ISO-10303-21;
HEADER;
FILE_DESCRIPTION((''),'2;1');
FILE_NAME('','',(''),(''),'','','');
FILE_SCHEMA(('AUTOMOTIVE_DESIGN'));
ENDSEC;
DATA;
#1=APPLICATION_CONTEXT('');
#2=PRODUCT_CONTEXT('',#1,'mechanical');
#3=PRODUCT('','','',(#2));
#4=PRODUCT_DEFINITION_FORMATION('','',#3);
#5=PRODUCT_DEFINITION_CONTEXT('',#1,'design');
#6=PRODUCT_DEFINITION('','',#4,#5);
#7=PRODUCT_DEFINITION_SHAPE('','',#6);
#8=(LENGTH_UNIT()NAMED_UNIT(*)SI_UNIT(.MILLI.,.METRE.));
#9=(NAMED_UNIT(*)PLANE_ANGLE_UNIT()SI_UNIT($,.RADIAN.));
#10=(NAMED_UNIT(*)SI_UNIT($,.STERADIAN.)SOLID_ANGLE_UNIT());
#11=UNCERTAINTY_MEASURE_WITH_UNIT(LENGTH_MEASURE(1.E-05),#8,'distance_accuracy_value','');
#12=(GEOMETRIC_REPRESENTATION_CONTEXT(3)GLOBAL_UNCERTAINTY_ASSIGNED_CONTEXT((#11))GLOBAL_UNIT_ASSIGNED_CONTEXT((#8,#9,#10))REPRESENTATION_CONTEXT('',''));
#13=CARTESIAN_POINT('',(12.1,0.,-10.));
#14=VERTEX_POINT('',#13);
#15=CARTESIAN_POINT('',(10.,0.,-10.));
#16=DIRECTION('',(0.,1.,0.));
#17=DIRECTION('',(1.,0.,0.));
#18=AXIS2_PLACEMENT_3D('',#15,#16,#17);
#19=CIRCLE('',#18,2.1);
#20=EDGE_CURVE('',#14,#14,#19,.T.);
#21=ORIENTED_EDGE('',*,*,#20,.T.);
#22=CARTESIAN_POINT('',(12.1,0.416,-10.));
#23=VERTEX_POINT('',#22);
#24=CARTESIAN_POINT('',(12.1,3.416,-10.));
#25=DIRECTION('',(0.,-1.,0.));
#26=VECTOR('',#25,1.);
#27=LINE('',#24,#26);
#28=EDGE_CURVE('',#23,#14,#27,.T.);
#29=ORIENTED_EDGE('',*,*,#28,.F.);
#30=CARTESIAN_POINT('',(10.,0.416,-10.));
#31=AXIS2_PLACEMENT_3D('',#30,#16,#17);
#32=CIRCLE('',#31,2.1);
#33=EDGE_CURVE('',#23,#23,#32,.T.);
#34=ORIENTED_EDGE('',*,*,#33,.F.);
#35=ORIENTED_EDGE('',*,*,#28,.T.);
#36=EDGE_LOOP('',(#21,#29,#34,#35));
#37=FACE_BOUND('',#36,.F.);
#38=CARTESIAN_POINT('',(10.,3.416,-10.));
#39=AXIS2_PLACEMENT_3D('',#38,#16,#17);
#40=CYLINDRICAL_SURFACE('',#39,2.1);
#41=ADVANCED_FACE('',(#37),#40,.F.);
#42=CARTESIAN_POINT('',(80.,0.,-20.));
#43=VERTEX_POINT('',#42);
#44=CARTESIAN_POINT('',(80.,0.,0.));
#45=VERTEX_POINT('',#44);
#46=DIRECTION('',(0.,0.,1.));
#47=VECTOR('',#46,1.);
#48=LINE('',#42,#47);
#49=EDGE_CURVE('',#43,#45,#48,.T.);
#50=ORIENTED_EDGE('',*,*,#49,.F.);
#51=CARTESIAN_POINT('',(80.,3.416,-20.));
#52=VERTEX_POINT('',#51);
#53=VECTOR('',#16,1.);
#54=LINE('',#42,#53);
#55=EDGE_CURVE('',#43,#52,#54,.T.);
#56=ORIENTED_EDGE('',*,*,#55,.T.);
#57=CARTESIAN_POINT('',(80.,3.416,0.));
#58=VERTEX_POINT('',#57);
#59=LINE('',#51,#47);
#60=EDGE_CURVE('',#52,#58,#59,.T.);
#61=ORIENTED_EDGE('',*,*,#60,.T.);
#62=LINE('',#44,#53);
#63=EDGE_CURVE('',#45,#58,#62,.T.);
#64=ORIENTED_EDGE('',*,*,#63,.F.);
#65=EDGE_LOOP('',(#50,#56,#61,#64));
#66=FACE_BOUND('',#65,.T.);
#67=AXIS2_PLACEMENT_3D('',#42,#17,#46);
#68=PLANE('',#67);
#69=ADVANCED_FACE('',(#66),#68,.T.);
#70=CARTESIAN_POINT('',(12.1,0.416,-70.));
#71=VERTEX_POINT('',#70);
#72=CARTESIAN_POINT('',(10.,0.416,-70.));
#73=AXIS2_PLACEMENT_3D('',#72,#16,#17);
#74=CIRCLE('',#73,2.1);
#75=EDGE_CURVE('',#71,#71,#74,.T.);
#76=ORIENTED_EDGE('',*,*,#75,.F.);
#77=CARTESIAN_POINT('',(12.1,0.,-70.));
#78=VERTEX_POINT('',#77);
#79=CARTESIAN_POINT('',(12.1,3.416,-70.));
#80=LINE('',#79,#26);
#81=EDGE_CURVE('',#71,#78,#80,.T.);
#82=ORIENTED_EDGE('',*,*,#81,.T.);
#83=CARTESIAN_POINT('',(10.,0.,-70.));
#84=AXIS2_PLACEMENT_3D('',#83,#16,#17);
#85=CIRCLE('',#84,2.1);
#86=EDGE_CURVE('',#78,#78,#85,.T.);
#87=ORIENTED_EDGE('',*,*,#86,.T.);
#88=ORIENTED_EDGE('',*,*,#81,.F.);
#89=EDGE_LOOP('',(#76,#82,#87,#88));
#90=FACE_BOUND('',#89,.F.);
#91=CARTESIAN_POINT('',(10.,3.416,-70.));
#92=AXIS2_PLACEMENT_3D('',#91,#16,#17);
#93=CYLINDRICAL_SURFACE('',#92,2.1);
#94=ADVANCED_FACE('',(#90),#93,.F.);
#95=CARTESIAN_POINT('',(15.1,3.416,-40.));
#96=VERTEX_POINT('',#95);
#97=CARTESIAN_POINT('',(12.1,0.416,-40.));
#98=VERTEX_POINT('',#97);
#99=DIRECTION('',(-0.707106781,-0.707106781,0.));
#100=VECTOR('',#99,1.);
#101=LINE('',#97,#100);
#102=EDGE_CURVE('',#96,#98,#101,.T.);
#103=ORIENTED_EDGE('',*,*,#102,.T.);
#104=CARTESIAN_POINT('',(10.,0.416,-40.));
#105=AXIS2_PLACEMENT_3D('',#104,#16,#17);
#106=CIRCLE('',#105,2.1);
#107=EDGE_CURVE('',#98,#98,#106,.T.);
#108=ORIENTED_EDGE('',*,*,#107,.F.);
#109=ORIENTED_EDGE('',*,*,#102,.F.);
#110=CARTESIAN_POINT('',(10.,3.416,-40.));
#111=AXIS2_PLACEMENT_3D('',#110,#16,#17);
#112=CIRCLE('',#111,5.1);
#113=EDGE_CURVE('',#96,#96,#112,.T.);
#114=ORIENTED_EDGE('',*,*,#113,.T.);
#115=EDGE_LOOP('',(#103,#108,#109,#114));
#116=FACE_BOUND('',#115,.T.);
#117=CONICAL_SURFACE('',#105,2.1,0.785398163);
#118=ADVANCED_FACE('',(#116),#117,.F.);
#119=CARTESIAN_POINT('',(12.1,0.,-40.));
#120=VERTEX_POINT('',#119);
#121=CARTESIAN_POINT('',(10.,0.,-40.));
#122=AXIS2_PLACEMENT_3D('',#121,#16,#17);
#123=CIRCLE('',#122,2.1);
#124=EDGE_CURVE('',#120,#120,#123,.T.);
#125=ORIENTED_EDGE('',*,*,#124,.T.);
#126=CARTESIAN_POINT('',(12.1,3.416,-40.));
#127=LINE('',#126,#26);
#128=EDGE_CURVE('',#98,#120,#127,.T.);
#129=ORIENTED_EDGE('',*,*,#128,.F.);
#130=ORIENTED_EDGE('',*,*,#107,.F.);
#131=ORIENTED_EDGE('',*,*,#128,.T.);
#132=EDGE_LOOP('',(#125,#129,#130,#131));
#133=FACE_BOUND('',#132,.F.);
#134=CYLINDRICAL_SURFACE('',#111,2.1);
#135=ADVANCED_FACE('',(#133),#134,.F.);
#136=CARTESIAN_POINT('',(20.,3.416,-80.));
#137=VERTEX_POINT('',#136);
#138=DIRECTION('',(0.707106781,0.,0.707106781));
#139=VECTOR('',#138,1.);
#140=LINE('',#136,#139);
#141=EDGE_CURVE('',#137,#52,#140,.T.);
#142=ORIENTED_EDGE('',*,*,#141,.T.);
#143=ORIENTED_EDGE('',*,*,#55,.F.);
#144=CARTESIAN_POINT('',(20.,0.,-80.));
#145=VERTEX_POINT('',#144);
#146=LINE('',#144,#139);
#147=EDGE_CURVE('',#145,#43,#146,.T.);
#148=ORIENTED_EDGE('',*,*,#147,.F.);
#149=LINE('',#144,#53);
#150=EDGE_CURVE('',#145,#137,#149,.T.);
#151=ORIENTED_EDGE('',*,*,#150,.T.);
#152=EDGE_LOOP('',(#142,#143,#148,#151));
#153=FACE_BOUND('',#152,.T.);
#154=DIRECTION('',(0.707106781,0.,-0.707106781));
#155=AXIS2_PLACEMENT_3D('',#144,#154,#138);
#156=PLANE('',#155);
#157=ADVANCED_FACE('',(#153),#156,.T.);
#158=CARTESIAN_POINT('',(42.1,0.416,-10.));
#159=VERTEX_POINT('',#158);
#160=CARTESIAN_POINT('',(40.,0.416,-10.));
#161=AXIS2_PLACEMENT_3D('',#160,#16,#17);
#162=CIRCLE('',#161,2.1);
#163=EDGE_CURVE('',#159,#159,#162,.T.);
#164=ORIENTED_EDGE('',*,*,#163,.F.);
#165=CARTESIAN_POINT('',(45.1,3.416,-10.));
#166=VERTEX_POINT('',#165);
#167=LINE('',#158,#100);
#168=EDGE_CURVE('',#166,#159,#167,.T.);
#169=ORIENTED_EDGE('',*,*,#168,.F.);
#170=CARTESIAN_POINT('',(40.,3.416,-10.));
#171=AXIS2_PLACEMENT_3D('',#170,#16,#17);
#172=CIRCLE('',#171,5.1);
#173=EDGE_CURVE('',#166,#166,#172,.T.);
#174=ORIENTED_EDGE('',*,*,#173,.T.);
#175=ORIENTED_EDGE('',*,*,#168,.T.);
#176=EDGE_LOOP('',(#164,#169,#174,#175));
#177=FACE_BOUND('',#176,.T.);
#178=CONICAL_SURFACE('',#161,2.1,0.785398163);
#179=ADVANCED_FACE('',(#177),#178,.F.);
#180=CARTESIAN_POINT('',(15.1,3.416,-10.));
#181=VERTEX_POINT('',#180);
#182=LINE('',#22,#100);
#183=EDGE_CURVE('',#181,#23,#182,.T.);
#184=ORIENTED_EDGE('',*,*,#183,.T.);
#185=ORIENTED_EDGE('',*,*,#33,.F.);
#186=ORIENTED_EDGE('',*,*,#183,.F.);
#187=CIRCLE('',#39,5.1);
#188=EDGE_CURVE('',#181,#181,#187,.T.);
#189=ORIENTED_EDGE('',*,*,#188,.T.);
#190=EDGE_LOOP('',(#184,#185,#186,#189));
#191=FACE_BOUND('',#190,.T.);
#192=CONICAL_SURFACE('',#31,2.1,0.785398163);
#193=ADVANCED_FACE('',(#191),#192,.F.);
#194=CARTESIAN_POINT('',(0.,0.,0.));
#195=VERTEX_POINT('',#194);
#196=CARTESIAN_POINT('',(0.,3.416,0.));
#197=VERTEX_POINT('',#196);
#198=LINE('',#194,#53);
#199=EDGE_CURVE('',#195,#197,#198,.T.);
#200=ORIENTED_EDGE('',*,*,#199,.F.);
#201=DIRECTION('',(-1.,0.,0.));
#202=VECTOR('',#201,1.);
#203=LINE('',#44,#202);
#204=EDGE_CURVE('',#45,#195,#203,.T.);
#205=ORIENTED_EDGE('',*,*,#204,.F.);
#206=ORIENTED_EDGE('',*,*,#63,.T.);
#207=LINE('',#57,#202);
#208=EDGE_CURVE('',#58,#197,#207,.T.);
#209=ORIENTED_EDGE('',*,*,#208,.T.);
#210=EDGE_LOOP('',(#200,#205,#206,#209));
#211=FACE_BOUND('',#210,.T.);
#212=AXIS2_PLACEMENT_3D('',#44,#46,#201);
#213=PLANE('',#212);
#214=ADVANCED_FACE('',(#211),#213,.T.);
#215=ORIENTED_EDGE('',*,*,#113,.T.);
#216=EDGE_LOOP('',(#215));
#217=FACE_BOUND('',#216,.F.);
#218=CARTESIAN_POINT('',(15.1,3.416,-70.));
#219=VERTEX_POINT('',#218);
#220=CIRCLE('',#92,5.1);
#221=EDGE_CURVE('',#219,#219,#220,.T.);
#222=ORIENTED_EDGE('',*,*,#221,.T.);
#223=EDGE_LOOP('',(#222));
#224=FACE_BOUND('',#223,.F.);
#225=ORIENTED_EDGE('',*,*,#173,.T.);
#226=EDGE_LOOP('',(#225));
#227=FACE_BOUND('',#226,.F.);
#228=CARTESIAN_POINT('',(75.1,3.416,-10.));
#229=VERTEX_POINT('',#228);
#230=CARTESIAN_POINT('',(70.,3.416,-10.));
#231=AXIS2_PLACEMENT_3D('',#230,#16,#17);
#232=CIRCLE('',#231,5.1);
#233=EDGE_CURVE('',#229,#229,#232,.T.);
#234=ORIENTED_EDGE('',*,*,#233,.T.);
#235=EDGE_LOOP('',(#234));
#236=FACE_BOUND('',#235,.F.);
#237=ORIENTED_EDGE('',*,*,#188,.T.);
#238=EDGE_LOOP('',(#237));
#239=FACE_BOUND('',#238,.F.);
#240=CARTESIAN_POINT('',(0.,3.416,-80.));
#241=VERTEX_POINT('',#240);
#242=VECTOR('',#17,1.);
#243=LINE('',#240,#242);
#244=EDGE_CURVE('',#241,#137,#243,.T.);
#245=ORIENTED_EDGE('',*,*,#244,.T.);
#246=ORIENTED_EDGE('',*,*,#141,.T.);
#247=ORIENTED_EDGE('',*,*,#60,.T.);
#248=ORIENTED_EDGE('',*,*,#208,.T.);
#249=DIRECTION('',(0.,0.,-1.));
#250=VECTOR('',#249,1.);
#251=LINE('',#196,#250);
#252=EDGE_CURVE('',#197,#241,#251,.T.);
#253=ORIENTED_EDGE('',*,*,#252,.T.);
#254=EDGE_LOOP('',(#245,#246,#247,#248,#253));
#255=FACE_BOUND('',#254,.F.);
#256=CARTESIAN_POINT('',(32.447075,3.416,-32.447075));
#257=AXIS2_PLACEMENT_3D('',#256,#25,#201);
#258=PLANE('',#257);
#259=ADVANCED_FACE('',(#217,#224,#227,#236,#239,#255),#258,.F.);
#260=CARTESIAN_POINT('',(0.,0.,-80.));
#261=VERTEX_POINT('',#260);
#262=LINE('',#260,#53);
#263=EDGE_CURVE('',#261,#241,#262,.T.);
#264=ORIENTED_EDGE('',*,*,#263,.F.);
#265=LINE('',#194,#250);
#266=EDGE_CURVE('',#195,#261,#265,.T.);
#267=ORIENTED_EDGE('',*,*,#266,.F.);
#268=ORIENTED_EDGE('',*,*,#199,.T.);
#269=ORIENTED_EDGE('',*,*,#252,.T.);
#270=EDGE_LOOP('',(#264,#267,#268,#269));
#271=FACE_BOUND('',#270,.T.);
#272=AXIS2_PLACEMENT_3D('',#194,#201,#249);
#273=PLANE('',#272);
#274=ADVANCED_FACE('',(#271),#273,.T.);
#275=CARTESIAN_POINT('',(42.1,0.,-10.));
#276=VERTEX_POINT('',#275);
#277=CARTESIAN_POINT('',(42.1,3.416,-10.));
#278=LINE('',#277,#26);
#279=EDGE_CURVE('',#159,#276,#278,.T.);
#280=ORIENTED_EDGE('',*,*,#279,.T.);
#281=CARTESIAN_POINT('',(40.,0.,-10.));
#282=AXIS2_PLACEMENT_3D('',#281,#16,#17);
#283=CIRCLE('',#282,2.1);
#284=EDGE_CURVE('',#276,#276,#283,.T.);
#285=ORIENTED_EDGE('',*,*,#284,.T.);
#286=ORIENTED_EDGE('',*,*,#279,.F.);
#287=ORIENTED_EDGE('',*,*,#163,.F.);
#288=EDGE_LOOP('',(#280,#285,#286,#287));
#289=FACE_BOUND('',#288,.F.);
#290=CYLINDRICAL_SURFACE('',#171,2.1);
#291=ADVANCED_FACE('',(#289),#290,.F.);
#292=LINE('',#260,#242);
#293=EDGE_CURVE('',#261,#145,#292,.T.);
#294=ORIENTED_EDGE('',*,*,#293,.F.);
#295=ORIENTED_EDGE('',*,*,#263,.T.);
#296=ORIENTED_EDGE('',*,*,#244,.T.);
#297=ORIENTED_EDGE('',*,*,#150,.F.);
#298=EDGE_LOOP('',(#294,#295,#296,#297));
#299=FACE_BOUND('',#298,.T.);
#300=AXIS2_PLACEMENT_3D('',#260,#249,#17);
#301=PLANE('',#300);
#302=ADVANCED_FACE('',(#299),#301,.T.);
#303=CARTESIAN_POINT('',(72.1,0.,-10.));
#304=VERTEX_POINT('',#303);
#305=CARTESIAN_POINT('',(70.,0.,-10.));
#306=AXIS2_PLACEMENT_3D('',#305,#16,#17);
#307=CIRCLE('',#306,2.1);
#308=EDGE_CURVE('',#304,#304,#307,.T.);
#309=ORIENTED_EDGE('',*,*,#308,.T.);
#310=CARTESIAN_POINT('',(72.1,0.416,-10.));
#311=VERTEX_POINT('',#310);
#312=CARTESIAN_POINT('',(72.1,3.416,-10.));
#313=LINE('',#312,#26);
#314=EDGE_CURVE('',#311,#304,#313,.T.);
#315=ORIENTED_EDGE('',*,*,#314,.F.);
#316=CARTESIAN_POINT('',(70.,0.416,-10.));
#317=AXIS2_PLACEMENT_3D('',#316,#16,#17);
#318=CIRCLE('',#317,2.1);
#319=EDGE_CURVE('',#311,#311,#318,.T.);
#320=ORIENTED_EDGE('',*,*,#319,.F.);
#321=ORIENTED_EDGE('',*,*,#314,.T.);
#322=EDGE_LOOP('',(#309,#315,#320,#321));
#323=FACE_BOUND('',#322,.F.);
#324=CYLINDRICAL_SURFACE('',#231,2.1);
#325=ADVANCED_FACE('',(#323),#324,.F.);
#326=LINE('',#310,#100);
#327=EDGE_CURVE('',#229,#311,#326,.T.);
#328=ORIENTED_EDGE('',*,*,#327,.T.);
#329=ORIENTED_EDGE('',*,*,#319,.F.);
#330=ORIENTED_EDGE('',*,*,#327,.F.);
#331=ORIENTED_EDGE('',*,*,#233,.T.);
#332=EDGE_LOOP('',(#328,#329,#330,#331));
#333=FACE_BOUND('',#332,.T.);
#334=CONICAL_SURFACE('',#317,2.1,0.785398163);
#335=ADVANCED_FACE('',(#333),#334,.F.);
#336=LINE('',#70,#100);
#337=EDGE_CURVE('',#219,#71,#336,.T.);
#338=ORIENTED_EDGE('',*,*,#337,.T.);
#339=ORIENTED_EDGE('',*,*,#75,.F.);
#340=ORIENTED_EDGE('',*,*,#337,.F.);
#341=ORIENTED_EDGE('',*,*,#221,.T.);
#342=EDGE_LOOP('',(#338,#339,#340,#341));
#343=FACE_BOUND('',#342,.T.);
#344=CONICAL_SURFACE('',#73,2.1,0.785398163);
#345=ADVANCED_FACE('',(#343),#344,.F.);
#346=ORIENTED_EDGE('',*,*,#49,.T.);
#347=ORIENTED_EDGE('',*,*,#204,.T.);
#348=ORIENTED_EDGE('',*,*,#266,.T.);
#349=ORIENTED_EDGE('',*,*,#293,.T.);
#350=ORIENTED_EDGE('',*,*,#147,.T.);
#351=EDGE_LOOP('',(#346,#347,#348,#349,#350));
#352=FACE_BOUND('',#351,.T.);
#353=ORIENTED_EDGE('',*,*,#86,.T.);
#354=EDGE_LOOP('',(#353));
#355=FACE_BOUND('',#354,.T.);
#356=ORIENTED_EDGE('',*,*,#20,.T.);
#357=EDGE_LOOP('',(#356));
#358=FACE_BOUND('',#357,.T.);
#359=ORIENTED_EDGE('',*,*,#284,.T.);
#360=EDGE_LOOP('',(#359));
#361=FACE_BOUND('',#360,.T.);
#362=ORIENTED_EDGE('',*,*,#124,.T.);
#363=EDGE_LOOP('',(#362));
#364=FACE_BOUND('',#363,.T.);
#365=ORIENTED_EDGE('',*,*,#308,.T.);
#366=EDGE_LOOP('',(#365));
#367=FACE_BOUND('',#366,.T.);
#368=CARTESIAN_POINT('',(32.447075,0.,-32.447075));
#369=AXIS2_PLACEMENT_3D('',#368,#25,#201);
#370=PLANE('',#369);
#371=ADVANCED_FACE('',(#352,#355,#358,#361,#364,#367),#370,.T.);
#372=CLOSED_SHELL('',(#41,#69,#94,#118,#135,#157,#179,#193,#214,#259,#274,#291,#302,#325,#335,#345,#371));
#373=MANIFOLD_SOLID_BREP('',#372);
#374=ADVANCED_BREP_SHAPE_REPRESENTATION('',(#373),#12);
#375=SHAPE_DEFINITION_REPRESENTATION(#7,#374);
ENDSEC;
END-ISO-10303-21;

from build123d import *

# Parameters (mm, degrees)
BOSS_EXTRUDE1_DEPTH = 3.416
SKETCH3_R           = 2.1
CUT_EXTRUDE1_DEPTH  = 4
CHAMFER1_SIZE       = 3


with BuildPart() as part:
    # Sketch1 → Boss-Extrude1 (new body)
    with BuildSketch(Plane(origin=(0, 0, 0), x_dir=(1, 0, 0), z_dir=(0, 1, 0))):
        Polygon((0, 0), (0, 80), (20, 80), (80, 20), (80, 0), align=None)
    extrude(amount=BOSS_EXTRUDE1_DEPTH)

    # Sketch3 → Cut-Extrude1 (cut)
    with BuildSketch(Plane(origin=(0, 3.416, 0), x_dir=(1, 0, 0), z_dir=(0, 1, 0))):
        with Locations((10, 10)):
            Circle(SKETCH3_R)
        with Locations((40, 10)):
            Circle(SKETCH3_R)
        with Locations((70, 10)):
            Circle(SKETCH3_R)
        with Locations((10, 40)):
            Circle(SKETCH3_R)
        with Locations((10, 70)):
            Circle(SKETCH3_R)
    extrude(amount=-CUT_EXTRUDE1_DEPTH, mode=Mode.SUBTRACT)

    # Chamfer1
    chamfer1_edges = [part.edges().sort_by_distance(p)[0] for p in [
        (7.9, 3.416, -70),
        (7.9, 3.416, -40),
        (67.9, 3.416, -10),
        (7.9, 3.416, -10),
        (37.9, 3.416, -10),
    ]]
    chamfer(chamfer1_edges, length=CHAMFER1_SIZE)


solid = part.part
